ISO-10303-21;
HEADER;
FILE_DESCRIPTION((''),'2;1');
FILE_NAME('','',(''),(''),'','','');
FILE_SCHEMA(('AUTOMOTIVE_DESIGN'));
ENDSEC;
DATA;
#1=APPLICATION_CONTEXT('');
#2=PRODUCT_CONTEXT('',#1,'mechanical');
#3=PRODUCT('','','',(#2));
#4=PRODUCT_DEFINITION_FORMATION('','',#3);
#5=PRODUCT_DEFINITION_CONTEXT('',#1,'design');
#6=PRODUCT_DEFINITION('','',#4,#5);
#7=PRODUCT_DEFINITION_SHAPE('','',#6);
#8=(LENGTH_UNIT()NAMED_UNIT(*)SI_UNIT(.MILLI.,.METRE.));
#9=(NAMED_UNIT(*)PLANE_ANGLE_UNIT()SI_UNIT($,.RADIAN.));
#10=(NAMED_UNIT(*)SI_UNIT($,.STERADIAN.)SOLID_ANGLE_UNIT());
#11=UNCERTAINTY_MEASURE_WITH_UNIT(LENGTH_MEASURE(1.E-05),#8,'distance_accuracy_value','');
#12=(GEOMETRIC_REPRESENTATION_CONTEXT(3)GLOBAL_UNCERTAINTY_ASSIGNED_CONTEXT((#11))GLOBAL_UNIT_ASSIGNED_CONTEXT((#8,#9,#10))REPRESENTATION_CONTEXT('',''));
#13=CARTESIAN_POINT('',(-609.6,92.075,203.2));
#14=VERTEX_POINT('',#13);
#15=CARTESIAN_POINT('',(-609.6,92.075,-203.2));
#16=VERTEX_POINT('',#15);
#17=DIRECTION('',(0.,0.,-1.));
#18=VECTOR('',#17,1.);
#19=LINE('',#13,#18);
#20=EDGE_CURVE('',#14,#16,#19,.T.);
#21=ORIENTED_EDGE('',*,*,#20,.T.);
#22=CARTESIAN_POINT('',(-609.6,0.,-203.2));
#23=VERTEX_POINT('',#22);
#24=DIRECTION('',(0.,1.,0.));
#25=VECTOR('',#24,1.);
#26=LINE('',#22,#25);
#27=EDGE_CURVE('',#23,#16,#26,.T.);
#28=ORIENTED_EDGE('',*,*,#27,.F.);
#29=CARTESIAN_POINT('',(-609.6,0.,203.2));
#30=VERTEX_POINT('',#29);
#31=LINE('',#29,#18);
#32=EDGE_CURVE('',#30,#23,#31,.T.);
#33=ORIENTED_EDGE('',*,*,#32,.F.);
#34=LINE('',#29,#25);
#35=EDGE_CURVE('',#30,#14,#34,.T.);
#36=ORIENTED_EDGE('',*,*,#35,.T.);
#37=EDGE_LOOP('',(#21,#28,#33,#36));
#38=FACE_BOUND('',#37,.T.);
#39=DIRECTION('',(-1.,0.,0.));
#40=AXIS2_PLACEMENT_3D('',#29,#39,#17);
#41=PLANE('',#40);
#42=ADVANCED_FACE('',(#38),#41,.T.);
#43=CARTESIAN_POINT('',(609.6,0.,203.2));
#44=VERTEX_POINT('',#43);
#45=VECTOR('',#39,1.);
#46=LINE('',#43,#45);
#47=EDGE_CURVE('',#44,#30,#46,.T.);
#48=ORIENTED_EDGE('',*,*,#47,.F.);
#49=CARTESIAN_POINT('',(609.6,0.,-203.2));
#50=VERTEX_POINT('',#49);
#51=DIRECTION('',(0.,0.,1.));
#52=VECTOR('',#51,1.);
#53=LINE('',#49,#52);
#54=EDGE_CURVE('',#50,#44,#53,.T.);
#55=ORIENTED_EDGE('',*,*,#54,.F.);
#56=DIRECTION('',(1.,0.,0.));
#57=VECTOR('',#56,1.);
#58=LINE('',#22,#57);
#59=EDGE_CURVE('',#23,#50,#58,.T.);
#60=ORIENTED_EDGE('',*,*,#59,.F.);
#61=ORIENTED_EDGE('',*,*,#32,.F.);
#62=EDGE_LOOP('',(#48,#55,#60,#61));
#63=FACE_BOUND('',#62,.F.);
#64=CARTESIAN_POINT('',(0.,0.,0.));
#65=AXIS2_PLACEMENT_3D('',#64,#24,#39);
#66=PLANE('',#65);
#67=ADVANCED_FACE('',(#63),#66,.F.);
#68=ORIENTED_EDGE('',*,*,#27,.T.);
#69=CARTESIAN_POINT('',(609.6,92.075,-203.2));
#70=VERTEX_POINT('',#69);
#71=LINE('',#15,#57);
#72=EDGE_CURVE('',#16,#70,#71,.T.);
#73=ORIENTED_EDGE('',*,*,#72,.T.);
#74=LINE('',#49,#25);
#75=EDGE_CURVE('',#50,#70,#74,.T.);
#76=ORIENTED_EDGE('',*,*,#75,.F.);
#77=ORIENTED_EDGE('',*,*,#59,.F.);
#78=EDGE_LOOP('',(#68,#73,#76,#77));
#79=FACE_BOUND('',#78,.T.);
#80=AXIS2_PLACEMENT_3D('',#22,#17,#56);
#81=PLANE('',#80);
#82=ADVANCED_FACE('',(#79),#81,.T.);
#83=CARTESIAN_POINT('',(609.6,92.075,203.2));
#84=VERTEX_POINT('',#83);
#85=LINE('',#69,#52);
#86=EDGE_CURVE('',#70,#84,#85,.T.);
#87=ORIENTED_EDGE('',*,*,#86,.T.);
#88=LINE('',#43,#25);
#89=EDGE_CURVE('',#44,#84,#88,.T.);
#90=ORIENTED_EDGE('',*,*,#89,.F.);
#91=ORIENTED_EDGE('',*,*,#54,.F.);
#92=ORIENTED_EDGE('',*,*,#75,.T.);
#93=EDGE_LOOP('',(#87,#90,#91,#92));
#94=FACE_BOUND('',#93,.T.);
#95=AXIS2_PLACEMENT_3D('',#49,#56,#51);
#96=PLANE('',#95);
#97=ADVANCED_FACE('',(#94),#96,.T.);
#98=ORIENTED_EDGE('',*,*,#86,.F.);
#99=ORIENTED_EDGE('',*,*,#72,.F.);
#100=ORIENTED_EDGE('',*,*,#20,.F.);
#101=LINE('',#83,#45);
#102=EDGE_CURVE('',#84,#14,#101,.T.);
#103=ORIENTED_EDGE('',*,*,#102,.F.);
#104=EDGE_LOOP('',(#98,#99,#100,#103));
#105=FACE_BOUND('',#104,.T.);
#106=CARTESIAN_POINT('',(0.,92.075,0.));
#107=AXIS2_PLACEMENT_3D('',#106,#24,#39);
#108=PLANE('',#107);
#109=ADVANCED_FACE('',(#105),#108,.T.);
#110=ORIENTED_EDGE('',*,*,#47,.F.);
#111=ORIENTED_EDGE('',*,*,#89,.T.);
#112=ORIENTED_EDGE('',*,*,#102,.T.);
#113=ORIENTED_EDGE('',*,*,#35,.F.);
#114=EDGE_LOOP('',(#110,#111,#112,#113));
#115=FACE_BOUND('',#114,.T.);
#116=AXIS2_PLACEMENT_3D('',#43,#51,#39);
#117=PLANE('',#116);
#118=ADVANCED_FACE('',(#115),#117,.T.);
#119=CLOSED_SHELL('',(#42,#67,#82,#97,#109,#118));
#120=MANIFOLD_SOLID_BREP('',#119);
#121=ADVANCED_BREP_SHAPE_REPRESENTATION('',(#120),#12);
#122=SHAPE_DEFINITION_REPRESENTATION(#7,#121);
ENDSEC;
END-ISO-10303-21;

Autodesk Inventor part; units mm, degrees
ref_plane "YZ Plane" through (0, 0, 0) normal (1, 0, 0) x (0, 1, 0)
ref_plane "XZ Plane" through (0, 0, 0) normal (0, 1, 0) x (-1, 0, 0)
ref_plane "XY Plane" through (0, 0, 0) normal (0, 0, 1) x (1, 0, 0)
sketch "Sketch1" plane through (0, 0, 0) normal (0, 1, 0) x (-1, 0, 0)
  line L0 (609.6, -203.2) -> (-609.6, -203.2)
  line L1 (-609.6, -203.2) -> (-609.6, 203.2)
  line L2 (-609.6, 203.2) -> (609.6, 203.2)
  line L3 (609.6, 203.2) -> (609.6, -203.2)
  line L4 (609.6, -203.2) -> (-609.6, 203.2) construction
  line L5 (-609.6, -203.2) -> (609.6, 203.2) construction
  point P0 (0, 0)
  dimension "d0" = 1219.2
  dimension "d1" = 406.4
extrude "Extrusion1" add sketch "Sketch1" along normal blind 92.075
sketch "Sketch2" plane through (609.6, 0, 203.2) normal (1, 0, 0) x (0, 0, -1)
  line L0 (0, 0) -> (0, 92.075) projected
  line L1 (0, 87.3125) -> (6.35, 87.3125)
  line L2 (6.35, 87.3125) -> (6.35, 80.9625)
  line L3 (6.35, 80.9625) -> (0, 80.9625)
  line L4 (0, 80.9625) -> (0, 87.3125)
  line L5 (6.35, 68.2625) -> (0, 68.2625)
  line L6 (0, 68.2625) -> (0, 74.6125)
  line L7 (0, 74.6125) -> (6.35, 74.6125)
  line L8 (6.35, 74.6125) -> (6.35, 68.2625)
  line L9 (6.35, 55.5625) -> (0, 55.5625)
  line L10 (0, 55.5625) -> (0, 61.9125)
  line L11 (0, 61.9125) -> (6.35, 61.9125)
  line L12 (6.35, 61.9125) -> (6.35, 55.5625)
  line L13 (6.35, 42.8625) -> (0, 42.8625)
  line L14 (0, 42.8625) -> (0, 49.2125)
  line L15 (0, 49.2125) -> (6.35, 49.2125)
  line L16 (6.35, 49.2125) -> (6.35, 42.8625)
  line L17 (6.35, 30.1625) -> (0, 30.1625)
  line L18 (0, 30.1625) -> (0, 36.5125)
  line L19 (0, 36.5125) -> (6.35, 36.5125)
  line L20 (6.35, 36.5125) -> (6.35, 30.1625)
  line L21 (6.35, 17.4625) -> (0, 17.4625)
  line L22 (0, 17.4625) -> (0, 23.8125)
  line L23 (0, 23.8125) -> (6.35, 23.8125)
  line L24 (6.35, 23.8125) -> (6.35, 17.4625)
  line L25 (6.35, 4.7625) -> (0, 4.7625)
  line L26 (0, 4.7625) -> (0, 11.1125)
  line L27 (0, 11.1125) -> (6.35, 11.1125)
  line L28 (6.35, 11.1125) -> (6.35, 4.7625)
  point P0 (203.2, 0)
  point P1 (0, 4.7625)
  point P2 (0, 17.4625)
  point P3 (0, 30.1625)
  point P4 (0, 42.8625)
  point P5 (0, 55.5625)
  point P6 (0, 68.2625)
  point P7 (0, 80.9625)
  dimension "d4" = 6.35
  dimension "d5" = 6.35
  dimension "d6" = 4.7625
  dimension "d9" = 12.7
  dimension "d14" = 4.7625
extrude "Extrusion2" [suppressed]
properties part number "Bridge cap" material "Limestone"
